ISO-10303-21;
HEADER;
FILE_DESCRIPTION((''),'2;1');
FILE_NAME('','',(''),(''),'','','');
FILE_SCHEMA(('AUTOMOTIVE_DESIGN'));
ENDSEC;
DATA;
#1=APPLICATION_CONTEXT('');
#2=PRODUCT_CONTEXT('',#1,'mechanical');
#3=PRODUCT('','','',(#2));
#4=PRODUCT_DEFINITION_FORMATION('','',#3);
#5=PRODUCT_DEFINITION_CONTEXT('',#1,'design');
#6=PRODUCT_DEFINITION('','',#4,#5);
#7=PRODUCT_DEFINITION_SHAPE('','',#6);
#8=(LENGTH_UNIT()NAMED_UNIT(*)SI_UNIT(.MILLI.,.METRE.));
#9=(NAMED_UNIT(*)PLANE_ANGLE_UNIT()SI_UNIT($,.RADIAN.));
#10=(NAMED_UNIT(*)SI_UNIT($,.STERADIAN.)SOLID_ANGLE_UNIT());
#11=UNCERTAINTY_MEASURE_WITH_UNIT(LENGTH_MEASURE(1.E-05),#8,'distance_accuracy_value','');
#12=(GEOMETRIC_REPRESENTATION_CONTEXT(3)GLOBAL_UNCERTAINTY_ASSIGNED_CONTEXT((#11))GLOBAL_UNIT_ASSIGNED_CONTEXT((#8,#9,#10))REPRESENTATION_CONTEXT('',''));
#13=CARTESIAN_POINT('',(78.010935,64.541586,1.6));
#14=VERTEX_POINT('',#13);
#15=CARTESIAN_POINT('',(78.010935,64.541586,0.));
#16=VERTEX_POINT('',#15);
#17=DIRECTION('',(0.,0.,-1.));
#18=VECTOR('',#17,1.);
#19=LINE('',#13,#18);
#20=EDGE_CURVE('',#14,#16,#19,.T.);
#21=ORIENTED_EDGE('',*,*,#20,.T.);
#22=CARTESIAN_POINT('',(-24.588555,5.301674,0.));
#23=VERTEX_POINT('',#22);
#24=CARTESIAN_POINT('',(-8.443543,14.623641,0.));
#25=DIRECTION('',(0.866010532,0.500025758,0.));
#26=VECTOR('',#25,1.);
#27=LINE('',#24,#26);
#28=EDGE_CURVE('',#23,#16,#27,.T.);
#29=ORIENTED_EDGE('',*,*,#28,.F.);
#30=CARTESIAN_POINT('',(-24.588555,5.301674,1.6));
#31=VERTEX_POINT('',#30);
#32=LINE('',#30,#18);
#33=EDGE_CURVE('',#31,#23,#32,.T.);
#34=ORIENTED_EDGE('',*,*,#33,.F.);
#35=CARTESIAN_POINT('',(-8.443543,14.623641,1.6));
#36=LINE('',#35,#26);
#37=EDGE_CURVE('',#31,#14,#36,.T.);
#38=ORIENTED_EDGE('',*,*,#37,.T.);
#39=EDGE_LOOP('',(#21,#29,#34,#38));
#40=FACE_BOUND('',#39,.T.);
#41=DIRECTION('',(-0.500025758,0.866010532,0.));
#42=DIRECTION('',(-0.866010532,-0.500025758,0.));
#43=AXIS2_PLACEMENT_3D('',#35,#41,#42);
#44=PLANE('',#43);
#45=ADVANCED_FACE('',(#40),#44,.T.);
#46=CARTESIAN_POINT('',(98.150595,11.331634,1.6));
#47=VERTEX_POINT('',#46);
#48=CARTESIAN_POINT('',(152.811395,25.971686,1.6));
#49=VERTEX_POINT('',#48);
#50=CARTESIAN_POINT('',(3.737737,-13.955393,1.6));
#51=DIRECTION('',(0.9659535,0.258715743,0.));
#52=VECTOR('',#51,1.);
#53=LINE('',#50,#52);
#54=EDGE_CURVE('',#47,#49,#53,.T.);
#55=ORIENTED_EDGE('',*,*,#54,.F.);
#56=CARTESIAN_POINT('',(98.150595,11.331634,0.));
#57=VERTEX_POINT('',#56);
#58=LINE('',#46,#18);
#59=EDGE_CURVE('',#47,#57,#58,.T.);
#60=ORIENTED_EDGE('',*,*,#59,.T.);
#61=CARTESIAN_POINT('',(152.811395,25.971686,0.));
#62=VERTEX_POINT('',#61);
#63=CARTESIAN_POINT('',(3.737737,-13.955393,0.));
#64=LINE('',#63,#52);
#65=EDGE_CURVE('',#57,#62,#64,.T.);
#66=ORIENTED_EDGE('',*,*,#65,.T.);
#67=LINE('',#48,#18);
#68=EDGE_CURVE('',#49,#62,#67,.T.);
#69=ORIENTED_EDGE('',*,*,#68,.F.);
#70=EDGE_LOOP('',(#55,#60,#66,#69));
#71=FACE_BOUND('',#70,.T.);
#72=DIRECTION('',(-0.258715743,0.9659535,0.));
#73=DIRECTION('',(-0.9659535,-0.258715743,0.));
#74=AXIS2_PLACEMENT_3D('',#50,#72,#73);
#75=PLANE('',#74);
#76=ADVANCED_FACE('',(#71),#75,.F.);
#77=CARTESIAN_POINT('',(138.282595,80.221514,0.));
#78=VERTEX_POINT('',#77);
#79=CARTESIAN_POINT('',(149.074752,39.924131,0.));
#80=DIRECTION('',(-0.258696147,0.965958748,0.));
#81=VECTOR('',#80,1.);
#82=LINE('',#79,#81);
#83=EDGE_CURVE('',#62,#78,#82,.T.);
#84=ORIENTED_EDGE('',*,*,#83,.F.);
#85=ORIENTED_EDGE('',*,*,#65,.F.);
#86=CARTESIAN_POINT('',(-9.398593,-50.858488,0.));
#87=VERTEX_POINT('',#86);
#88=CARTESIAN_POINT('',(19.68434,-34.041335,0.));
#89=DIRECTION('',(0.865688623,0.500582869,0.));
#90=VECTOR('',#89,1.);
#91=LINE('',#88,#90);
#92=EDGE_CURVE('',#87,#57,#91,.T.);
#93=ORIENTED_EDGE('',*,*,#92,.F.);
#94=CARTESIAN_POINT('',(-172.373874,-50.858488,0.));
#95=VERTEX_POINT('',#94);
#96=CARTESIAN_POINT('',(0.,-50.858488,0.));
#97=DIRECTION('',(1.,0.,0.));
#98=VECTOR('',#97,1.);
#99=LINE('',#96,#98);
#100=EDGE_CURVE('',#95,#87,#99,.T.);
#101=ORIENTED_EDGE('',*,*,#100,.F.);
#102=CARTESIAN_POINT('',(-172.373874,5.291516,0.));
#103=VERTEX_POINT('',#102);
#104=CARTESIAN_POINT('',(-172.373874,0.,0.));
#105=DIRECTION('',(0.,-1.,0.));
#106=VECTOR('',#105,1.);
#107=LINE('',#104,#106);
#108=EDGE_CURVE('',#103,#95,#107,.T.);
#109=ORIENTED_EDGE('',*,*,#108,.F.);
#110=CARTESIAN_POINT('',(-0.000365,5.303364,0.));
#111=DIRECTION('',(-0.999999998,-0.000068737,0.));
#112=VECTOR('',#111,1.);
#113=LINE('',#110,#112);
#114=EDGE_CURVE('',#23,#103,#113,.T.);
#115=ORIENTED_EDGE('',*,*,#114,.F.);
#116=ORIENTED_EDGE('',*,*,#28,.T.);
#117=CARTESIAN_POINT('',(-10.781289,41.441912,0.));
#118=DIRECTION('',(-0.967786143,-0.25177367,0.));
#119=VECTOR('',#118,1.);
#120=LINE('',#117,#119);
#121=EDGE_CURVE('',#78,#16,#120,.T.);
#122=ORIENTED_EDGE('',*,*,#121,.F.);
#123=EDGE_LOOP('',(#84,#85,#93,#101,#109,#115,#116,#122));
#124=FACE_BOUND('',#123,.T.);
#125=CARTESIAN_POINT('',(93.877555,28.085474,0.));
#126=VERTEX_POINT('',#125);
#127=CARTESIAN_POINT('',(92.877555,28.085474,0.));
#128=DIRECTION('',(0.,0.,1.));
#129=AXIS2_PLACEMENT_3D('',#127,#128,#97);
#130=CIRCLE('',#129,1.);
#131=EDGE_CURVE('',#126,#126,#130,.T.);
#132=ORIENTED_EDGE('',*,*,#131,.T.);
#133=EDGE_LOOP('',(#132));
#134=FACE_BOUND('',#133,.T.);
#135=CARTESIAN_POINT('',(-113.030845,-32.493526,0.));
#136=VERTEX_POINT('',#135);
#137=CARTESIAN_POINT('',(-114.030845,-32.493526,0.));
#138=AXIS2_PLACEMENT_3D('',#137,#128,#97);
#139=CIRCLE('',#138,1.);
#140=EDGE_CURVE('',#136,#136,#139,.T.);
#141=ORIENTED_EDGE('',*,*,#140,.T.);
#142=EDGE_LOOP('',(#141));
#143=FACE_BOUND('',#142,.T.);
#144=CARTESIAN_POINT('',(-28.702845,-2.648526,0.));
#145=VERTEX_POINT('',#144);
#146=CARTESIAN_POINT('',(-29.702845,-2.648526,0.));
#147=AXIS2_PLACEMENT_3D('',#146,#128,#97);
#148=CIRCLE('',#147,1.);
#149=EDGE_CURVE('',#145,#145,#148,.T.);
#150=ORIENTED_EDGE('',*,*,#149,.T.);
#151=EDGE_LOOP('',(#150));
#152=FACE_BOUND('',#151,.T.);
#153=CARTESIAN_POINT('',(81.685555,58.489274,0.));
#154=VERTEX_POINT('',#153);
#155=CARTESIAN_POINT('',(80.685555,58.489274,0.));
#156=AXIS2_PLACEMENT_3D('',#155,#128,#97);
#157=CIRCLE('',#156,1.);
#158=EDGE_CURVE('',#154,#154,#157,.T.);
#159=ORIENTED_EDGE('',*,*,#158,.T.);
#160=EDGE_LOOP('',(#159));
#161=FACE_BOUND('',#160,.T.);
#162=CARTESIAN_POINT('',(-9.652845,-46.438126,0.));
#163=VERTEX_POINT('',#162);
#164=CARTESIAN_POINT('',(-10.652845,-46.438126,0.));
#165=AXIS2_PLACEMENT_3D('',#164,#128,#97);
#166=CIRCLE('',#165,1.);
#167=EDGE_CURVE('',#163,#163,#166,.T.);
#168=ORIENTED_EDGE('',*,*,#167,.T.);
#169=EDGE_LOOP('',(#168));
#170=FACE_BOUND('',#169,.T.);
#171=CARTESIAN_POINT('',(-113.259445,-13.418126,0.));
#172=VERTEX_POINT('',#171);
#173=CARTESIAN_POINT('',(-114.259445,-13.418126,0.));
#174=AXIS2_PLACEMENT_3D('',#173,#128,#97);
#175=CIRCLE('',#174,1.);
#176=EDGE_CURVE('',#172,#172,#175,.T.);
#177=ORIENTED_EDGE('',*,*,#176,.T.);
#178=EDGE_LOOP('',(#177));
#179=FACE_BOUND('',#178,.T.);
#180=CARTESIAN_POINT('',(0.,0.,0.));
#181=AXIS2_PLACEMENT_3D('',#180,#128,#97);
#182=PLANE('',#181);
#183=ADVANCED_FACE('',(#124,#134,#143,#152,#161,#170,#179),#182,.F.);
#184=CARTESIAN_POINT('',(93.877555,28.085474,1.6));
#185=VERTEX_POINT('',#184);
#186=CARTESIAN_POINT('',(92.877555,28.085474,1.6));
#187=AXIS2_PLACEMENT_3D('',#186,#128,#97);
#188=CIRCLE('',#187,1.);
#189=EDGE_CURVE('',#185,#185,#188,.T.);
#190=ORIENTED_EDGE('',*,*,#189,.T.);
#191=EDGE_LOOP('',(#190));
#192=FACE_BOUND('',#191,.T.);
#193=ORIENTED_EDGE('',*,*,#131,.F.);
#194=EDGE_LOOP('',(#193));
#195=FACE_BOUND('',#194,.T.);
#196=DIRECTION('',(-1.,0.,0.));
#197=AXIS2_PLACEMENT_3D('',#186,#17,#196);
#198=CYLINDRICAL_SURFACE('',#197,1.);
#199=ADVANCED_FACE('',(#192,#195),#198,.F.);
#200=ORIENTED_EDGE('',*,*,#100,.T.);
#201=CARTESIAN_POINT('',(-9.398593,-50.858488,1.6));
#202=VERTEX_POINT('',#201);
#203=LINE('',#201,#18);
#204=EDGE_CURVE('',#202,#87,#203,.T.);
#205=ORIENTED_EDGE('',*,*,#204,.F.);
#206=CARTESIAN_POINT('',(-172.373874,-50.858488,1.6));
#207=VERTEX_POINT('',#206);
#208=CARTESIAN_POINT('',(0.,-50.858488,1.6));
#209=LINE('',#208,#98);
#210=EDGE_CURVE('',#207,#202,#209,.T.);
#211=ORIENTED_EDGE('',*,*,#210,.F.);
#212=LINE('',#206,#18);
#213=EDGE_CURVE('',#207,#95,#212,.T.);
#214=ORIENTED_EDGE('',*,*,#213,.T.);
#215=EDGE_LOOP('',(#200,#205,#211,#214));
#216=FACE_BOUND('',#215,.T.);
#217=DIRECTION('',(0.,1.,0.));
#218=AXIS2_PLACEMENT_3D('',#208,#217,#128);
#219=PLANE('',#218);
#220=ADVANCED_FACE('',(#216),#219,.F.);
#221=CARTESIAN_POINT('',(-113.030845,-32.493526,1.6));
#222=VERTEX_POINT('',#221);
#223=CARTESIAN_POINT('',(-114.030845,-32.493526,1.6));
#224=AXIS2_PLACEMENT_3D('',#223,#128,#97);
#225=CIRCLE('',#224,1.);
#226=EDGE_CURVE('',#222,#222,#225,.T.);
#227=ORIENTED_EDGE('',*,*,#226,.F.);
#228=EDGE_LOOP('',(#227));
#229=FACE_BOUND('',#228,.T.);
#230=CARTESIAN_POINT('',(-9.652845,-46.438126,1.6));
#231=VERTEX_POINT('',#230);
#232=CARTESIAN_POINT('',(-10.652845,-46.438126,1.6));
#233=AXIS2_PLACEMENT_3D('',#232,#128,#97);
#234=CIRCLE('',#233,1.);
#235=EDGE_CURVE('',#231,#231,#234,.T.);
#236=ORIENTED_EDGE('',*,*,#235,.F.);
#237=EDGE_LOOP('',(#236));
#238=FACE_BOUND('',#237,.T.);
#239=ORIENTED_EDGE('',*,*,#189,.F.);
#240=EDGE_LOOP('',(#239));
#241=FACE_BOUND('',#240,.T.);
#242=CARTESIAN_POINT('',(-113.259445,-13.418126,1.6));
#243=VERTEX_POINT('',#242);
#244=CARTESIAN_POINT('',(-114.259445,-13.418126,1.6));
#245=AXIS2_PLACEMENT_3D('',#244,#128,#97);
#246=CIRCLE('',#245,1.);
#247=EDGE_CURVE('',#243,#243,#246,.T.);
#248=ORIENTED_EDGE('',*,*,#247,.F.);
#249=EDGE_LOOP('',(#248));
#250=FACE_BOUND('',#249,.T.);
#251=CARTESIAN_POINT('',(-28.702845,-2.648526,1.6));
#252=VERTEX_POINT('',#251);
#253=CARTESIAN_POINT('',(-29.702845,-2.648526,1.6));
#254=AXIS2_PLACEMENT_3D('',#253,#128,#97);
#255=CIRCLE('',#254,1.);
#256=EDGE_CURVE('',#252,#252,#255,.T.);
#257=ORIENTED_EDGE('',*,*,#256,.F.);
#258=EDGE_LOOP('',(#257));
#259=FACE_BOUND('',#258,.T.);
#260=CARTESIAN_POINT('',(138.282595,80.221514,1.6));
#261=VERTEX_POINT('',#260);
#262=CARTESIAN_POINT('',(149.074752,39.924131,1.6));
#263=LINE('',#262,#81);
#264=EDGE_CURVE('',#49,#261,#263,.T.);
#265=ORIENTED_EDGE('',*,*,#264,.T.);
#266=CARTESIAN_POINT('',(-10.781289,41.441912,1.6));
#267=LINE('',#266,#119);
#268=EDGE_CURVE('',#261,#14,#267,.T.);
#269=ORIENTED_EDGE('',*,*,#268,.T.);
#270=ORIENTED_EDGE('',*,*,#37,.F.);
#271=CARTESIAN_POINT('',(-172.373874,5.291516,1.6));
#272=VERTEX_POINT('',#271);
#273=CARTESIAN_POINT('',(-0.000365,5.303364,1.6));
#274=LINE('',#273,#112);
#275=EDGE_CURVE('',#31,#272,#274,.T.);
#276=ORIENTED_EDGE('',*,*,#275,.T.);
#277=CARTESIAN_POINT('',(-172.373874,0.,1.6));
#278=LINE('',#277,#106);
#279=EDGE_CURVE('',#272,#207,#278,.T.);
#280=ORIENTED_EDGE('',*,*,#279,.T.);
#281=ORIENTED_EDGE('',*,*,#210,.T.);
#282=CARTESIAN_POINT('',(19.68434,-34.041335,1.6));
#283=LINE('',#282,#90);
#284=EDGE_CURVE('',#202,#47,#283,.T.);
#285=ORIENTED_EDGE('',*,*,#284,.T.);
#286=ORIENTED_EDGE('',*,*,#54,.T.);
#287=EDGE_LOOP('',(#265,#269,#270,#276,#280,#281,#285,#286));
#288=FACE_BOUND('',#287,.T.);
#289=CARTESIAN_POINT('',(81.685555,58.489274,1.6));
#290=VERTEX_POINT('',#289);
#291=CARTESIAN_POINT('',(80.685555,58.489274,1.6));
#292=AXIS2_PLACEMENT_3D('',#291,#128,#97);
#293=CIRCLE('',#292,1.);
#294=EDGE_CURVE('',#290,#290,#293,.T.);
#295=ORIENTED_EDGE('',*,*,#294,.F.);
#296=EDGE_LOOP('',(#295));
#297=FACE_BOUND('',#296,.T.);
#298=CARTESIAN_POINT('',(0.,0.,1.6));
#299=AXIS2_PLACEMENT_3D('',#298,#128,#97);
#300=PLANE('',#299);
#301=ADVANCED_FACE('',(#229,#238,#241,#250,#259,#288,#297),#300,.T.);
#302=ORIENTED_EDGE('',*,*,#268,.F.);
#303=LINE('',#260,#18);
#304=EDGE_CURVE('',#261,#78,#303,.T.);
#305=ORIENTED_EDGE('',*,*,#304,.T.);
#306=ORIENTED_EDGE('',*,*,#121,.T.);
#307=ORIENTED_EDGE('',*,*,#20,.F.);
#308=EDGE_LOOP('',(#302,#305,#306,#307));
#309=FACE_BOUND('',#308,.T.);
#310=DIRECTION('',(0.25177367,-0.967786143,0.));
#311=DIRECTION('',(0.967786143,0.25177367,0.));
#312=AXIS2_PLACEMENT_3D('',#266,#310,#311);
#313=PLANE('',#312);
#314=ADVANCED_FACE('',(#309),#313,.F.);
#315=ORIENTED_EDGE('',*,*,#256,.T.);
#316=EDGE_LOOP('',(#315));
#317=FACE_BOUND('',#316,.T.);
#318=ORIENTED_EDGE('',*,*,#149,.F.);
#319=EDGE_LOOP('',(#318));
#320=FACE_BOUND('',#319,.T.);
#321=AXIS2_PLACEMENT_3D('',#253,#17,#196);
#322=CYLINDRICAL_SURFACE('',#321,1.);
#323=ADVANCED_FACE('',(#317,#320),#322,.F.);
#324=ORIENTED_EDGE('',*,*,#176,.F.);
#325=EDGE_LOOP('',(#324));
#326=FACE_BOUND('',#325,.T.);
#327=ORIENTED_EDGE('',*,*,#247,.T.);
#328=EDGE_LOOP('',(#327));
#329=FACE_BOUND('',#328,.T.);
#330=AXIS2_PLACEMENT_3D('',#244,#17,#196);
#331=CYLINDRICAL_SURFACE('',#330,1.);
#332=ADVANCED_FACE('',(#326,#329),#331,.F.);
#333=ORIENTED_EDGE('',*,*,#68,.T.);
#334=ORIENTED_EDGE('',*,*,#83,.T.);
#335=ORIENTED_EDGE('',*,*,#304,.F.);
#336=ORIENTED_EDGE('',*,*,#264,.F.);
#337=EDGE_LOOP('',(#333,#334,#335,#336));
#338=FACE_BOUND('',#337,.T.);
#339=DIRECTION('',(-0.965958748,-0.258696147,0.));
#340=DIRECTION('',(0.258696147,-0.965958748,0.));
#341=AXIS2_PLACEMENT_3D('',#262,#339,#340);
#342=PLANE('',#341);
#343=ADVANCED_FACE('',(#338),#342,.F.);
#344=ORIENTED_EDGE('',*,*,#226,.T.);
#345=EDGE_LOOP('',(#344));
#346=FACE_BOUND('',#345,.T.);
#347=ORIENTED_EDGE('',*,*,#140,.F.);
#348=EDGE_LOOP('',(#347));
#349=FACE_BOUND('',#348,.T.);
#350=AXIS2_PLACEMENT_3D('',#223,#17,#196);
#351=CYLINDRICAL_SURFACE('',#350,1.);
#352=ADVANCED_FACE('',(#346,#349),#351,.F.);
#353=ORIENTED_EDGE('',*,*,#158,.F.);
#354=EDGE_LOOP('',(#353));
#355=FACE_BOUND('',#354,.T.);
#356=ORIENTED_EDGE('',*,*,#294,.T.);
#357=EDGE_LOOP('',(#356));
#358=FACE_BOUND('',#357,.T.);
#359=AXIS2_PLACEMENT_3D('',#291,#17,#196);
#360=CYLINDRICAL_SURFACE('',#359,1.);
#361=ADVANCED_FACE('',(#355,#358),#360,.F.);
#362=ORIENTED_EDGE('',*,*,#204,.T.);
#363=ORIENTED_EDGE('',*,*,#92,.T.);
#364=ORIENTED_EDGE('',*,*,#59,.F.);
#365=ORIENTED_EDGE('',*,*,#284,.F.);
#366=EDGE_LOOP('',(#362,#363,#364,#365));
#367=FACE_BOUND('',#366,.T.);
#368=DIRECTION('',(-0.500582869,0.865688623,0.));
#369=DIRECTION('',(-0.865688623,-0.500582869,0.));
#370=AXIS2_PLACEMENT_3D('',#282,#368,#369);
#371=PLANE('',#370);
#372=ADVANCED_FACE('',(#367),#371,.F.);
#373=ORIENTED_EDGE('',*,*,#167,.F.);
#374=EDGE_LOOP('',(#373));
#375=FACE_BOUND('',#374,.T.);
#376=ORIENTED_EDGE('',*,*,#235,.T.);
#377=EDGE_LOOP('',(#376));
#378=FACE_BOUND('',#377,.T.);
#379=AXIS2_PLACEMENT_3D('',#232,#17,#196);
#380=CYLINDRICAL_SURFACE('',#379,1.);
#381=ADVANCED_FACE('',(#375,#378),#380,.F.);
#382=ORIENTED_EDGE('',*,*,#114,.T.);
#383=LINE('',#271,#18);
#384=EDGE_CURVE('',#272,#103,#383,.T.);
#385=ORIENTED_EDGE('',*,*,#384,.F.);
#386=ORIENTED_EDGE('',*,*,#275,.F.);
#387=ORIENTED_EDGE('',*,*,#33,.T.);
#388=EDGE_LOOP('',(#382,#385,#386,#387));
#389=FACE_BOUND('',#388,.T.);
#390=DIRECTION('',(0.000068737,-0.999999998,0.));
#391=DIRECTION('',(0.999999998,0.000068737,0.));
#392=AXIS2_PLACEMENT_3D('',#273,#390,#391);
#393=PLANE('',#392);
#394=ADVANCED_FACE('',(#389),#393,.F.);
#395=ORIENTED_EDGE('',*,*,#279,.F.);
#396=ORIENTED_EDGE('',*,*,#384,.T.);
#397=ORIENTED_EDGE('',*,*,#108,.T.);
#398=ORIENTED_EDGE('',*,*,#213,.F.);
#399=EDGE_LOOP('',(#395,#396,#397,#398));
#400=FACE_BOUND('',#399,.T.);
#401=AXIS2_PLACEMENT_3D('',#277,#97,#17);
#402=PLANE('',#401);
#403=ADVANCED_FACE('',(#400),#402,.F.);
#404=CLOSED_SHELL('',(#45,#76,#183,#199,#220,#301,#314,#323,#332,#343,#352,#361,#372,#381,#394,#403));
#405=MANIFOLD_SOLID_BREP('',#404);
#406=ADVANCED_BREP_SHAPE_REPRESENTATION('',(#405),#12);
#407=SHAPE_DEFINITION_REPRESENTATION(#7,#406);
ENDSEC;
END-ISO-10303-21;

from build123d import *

# Parameters (mm, degrees)
MODEL_R            = 1
BOSS_EXTRU_1_DEPTH = 1.6


with BuildPart() as part:
    # Model → Boss.-Extru.1 (new body)
    with BuildSketch(Plane.XY):
        Polygon((98.150595456, 11.331634302), (152.811395456, 25.971686302), (138.282595456, 80.221514302), (78.010935456, 64.541586302), (-24.588554544, 5.301674302), (-151.608757489, 5.292943326), (-172.373873722, 5.291515997), (-172.373873722, -50.687645053), (-172.373873722, -50.858487698), (-9.398592544, -50.858487698), align=None)
        with Locations((-114.030844544, -32.493525698)):
            Circle(MODEL_R, mode=Mode.SUBTRACT)
        with Locations((-10.652844544, -46.438125698)):
            Circle(MODEL_R, mode=Mode.SUBTRACT)
        with Locations((-114.259444544, -13.418125698)):
            Circle(MODEL_R, mode=Mode.SUBTRACT)
        with Locations((-29.702844544, -2.648525698)):
            Circle(MODEL_R, mode=Mode.SUBTRACT)
        with Locations((92.877555456, 28.085474302)):
            Circle(MODEL_R, mode=Mode.SUBTRACT)
        with Locations((80.685555456, 58.489274302)):
            Circle(MODEL_R, mode=Mode.SUBTRACT)
    extrude(amount=BOSS_EXTRU_1_DEPTH)


solid = part.part
